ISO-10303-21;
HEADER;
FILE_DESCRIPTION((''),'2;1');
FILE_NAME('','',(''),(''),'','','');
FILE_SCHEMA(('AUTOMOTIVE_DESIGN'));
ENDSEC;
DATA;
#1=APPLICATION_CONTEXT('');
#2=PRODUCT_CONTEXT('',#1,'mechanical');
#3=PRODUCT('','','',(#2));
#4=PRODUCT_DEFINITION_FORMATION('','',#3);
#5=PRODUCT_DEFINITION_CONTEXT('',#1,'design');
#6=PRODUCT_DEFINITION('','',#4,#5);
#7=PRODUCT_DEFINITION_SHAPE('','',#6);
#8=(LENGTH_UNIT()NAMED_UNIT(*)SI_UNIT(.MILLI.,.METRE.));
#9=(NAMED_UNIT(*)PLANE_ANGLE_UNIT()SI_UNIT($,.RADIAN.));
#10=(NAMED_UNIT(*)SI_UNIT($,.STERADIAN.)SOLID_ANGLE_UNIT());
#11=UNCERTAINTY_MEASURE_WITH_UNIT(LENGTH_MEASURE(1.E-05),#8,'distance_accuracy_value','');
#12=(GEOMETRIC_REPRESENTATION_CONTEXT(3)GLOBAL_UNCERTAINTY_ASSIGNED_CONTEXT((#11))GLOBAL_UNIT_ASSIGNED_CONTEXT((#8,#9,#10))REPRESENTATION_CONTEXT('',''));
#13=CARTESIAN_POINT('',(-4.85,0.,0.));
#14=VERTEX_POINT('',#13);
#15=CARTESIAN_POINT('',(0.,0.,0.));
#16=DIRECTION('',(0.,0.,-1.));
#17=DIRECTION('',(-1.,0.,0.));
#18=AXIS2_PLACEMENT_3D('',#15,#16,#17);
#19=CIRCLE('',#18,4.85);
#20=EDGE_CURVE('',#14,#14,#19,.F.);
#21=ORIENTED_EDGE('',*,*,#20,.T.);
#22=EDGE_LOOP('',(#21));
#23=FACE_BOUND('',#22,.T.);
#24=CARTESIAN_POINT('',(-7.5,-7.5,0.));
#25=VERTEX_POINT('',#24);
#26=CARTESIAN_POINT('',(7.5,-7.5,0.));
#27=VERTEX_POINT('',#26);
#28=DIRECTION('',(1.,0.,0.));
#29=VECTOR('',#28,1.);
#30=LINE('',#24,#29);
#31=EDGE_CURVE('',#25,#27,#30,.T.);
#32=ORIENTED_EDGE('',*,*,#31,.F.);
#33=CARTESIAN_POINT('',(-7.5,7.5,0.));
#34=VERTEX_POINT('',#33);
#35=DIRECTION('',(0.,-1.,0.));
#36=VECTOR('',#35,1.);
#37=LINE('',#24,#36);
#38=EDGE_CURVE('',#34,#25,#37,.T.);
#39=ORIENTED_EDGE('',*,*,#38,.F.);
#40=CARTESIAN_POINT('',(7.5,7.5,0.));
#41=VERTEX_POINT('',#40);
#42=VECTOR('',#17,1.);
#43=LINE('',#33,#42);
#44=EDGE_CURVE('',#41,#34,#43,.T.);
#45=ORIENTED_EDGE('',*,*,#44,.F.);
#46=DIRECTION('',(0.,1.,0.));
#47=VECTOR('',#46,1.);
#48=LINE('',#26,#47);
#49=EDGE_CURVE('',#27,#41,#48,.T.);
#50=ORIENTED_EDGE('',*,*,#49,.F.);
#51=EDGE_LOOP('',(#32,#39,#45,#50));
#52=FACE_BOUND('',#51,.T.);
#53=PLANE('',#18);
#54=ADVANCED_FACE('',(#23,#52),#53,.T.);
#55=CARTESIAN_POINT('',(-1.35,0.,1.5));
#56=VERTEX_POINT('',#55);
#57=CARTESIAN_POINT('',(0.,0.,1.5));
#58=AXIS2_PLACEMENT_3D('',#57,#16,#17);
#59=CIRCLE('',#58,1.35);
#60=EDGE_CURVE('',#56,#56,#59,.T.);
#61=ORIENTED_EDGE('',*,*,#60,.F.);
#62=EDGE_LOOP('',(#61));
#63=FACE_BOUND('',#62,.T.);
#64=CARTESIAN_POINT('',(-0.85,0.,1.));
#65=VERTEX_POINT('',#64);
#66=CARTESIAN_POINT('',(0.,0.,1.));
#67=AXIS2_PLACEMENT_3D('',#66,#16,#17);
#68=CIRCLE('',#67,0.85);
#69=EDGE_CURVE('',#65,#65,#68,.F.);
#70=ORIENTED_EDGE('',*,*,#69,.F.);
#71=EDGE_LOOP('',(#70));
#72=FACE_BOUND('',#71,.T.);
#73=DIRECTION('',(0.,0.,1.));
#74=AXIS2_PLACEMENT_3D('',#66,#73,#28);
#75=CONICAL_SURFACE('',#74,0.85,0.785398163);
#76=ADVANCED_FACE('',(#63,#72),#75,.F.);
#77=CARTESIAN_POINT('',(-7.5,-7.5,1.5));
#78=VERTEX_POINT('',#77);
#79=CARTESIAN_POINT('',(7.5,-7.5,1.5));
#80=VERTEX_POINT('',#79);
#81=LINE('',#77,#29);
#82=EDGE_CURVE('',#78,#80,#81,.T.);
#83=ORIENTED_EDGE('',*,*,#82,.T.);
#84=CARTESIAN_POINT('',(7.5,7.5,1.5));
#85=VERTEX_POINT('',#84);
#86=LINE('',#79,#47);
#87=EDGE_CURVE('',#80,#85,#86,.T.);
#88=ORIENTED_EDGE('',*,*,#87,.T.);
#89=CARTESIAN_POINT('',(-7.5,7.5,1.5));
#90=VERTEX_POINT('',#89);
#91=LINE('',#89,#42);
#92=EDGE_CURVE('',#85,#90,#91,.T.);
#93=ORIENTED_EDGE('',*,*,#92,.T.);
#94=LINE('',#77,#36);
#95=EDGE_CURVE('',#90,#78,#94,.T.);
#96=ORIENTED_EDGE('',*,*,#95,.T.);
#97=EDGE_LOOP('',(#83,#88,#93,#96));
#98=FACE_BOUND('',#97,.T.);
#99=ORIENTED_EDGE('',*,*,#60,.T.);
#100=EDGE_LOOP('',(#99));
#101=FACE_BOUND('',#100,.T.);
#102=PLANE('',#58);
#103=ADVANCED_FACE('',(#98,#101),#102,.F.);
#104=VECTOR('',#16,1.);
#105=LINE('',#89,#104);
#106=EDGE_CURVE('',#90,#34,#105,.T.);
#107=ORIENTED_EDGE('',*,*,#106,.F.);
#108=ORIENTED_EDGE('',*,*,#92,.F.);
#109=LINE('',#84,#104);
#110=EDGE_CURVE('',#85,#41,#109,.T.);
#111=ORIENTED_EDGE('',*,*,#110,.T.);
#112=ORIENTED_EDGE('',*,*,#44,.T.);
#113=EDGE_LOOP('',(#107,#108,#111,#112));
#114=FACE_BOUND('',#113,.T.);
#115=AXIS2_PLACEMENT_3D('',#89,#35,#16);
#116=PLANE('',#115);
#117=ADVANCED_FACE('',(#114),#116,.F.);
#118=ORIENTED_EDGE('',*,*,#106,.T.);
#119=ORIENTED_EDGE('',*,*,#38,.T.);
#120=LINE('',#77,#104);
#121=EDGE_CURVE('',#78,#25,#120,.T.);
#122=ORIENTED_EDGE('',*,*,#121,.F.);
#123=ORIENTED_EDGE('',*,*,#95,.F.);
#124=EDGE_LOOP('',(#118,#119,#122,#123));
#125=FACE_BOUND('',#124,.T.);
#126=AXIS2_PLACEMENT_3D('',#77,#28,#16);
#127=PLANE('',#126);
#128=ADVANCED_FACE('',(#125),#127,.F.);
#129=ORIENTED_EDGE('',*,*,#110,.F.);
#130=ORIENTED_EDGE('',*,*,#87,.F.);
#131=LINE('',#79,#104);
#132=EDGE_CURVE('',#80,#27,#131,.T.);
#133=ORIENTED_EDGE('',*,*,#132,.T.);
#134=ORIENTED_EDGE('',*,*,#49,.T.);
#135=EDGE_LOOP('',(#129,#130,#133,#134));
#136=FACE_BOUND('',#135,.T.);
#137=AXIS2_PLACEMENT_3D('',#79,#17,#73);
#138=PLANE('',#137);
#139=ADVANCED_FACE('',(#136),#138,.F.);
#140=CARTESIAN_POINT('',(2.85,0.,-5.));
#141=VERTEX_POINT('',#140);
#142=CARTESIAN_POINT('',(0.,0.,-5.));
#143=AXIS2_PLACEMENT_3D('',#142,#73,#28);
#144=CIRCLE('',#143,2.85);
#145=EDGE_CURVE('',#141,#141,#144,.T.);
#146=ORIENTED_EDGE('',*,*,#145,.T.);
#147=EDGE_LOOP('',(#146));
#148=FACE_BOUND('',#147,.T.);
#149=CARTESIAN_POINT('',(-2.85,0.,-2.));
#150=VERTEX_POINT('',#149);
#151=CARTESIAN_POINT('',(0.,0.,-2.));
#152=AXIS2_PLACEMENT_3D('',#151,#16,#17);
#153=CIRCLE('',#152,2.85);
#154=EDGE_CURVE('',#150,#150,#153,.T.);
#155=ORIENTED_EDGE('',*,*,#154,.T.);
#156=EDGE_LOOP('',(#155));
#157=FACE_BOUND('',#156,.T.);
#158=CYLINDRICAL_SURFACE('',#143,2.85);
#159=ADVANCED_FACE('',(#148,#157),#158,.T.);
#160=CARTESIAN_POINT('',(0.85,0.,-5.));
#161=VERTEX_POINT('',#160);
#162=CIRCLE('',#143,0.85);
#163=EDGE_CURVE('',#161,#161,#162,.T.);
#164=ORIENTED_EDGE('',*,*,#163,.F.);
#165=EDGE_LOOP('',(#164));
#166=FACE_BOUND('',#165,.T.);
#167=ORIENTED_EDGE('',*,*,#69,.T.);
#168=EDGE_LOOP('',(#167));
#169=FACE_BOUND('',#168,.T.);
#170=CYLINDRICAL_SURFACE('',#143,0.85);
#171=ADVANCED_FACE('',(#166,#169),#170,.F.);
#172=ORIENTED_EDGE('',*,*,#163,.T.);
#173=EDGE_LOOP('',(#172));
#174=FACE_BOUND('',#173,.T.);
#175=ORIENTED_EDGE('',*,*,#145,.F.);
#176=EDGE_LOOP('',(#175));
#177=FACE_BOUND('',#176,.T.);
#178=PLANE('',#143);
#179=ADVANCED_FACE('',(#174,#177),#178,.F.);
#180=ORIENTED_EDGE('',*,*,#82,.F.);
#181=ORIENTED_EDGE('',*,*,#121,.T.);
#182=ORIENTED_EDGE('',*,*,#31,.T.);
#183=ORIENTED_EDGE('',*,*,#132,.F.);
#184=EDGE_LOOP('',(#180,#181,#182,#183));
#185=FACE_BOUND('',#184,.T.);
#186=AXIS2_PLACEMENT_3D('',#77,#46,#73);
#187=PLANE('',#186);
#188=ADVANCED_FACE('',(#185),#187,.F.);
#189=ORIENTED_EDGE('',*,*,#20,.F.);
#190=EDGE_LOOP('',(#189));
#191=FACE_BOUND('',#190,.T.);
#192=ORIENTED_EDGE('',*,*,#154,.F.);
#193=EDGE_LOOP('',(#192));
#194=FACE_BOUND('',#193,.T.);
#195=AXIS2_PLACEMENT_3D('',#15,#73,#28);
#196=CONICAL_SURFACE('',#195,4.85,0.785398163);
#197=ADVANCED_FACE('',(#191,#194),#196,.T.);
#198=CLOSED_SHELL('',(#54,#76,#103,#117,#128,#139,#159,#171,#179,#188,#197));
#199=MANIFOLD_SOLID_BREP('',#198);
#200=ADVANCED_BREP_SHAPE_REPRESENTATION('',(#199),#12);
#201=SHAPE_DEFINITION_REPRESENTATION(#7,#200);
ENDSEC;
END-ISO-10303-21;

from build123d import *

# Parameters (mm, degrees)
SKETCH_2_W          = 15
SKETCH_2_H          = 15
EXTRUDE_358_DEPTH   = 1.5
SKETCH_3_R          = 2.85
SKETCH_3_R_2        = 0.85
EXTRUDE_486_DEPTH   = 5
CHAMFER_1_SIZE      = 2
SKETCH_5_R          = 0.85
CUT_EXTRUDE_2_DEPTH = 12.7260394
CHAMFER_3_SIZE      = 0.5


with BuildPart() as part:
    # Эскиз2 → Extrude 358 (new body)
    with BuildSketch(Plane.XY):
        Rectangle(SKETCH_2_W, SKETCH_2_H)
    extrude(amount=EXTRUDE_358_DEPTH)

    # Эскиз3 → Extrude 486 (add)
    with BuildSketch(Plane.XY):
        Circle(SKETCH_3_R)
        Circle(SKETCH_3_R_2, mode=Mode.SUBTRACT)
    extrude(amount=-EXTRUDE_486_DEPTH)

    # Фаска1
    chamfer_1_edges = [part.edges().sort_by_distance(p)[0] for p in [
        (-2.85, 0, 0),
    ]]
    chamfer(chamfer_1_edges, length=CHAMFER_1_SIZE)

    # Эскиз5 → Вырез-Вытянуть2 (cut, through all)
    with BuildSketch(Plane.XY):
        Circle(SKETCH_5_R)
    extrude(amount=CUT_EXTRUDE_2_DEPTH, mode=Mode.SUBTRACT)

    # Фаска3
    chamfer_3_edges = [part.edges().sort_by_distance(p)[0] for p in [
        (-0.85, 0, 1.5),
    ]]
    chamfer(chamfer_3_edges, length=CHAMFER_3_SIZE)


solid = part.part
